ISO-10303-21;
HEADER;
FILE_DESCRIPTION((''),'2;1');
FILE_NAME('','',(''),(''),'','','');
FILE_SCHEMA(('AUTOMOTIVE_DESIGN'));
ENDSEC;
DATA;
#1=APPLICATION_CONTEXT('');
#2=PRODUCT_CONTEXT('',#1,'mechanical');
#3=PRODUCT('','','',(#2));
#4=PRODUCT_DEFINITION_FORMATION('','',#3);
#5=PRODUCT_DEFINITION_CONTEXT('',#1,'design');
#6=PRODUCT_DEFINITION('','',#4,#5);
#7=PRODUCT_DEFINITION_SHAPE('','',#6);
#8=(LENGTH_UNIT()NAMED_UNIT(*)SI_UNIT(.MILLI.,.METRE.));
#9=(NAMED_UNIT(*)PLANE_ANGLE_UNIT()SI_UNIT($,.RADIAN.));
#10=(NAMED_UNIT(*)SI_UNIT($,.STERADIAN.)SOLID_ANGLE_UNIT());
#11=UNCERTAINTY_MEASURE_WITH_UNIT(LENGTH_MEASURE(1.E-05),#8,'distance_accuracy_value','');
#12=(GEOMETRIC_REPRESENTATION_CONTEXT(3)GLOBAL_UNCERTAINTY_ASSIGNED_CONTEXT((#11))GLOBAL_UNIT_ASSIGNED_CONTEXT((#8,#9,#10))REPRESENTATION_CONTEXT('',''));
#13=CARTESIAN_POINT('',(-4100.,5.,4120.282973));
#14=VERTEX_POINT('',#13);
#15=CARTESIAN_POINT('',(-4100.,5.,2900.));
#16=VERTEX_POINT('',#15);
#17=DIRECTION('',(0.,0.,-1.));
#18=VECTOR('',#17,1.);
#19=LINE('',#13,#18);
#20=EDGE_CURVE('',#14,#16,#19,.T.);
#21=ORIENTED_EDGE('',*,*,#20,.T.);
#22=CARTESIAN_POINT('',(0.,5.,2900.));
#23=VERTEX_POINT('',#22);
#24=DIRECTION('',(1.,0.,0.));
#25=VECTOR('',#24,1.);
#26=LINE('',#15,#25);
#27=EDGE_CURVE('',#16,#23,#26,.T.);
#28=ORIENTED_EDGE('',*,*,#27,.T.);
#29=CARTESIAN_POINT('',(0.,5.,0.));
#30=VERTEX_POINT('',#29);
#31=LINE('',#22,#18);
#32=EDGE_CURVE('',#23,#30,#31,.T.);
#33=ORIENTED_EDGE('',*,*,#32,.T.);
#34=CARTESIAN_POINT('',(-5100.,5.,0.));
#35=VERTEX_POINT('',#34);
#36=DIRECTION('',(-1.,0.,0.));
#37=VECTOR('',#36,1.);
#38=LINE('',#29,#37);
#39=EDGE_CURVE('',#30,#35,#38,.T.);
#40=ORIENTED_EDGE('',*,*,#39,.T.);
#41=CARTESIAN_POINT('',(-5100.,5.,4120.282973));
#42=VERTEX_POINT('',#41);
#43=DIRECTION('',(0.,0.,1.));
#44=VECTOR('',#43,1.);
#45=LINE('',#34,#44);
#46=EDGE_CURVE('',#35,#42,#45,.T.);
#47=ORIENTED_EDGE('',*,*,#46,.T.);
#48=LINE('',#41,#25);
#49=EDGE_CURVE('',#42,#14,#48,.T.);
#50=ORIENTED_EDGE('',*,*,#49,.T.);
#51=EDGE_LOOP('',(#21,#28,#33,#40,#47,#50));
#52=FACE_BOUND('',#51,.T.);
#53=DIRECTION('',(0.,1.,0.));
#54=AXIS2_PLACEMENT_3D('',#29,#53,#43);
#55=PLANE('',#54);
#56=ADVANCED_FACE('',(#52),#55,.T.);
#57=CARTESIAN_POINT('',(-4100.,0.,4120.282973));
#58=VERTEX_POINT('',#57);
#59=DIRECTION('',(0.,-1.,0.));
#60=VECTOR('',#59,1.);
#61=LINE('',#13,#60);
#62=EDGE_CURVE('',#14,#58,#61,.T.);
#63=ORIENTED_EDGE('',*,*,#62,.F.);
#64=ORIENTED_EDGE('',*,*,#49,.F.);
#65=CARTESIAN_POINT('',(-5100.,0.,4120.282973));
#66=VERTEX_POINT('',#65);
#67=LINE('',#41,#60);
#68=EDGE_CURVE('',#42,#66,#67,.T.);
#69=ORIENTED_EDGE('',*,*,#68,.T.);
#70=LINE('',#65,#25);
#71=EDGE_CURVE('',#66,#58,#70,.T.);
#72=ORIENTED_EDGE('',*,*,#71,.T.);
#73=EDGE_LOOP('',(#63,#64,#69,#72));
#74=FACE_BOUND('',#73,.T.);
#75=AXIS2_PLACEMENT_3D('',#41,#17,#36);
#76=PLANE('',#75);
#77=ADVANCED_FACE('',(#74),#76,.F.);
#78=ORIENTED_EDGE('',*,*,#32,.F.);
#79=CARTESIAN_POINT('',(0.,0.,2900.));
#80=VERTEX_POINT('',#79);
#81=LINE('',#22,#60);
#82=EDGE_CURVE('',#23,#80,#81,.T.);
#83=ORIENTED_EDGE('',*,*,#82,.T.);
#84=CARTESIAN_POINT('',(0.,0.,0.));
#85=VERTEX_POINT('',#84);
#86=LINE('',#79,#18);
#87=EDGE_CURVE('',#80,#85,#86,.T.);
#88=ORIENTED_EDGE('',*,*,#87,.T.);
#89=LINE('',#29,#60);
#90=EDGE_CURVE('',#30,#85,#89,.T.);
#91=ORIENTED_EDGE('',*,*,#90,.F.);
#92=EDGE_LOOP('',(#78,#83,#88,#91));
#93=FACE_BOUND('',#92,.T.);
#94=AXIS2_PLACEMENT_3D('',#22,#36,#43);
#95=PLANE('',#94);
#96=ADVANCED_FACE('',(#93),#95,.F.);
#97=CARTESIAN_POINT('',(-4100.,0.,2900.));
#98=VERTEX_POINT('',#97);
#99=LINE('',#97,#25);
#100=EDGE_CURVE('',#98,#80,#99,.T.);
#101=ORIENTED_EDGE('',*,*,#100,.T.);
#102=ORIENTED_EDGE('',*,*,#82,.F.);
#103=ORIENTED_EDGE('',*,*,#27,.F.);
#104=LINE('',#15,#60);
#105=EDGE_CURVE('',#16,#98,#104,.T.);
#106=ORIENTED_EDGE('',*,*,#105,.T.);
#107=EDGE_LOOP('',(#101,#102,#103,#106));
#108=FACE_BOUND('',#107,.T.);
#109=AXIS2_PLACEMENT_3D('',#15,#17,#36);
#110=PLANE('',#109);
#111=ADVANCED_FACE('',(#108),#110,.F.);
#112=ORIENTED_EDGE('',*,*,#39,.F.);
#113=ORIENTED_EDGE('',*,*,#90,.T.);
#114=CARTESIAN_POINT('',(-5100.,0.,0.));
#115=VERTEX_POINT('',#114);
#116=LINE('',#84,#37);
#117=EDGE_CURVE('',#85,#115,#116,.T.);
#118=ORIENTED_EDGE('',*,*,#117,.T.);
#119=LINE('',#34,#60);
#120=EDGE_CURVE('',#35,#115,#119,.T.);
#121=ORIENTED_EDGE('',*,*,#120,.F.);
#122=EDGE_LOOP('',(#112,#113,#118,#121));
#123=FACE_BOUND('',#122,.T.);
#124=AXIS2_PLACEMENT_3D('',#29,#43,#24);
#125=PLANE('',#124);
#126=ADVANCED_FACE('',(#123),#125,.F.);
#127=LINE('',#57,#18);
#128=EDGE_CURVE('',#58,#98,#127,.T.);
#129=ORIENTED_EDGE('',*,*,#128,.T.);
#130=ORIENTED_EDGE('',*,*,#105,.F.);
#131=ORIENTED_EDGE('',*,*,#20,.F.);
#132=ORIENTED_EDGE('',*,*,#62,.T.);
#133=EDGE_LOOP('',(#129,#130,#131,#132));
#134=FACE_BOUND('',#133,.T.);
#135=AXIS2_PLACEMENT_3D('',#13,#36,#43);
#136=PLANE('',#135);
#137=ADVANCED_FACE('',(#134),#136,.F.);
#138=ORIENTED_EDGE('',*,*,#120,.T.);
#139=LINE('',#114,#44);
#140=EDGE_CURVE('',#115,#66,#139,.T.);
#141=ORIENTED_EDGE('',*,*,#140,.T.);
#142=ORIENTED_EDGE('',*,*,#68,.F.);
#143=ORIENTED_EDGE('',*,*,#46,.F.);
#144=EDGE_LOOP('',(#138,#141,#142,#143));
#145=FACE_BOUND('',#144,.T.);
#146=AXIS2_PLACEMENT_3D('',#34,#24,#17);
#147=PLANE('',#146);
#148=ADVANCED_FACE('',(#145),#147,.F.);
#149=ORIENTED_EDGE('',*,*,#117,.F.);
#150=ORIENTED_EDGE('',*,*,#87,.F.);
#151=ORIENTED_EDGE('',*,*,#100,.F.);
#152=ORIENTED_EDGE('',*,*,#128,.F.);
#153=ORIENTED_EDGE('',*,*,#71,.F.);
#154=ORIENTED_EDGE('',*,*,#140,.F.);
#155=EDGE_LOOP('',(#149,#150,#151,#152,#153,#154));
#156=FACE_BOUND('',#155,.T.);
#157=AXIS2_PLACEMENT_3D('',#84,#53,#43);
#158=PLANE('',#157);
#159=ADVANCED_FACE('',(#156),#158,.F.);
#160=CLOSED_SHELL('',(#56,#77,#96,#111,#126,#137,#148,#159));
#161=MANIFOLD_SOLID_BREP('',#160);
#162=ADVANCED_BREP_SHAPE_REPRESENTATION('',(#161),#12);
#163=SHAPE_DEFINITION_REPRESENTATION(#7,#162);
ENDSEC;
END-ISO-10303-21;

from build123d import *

# Parameters (mm, degrees)
EXTRUDE_1_DEPTH = 5


with BuildPart() as part:
    # Эскиз1 → Бобышка-Вытянуть1 (new body)
    with BuildSketch(Plane(origin=(0, 0, 0), x_dir=(1, 0, 0), z_dir=(0, 1, 0))):
        Polygon((-4100, -4120.282972524), (-4100, -2900), (0, -2900), (0, 0), (-5100, 0), (-5100, -4120.282972524), align=None)
    extrude(amount=EXTRUDE_1_DEPTH)


solid = part.part
